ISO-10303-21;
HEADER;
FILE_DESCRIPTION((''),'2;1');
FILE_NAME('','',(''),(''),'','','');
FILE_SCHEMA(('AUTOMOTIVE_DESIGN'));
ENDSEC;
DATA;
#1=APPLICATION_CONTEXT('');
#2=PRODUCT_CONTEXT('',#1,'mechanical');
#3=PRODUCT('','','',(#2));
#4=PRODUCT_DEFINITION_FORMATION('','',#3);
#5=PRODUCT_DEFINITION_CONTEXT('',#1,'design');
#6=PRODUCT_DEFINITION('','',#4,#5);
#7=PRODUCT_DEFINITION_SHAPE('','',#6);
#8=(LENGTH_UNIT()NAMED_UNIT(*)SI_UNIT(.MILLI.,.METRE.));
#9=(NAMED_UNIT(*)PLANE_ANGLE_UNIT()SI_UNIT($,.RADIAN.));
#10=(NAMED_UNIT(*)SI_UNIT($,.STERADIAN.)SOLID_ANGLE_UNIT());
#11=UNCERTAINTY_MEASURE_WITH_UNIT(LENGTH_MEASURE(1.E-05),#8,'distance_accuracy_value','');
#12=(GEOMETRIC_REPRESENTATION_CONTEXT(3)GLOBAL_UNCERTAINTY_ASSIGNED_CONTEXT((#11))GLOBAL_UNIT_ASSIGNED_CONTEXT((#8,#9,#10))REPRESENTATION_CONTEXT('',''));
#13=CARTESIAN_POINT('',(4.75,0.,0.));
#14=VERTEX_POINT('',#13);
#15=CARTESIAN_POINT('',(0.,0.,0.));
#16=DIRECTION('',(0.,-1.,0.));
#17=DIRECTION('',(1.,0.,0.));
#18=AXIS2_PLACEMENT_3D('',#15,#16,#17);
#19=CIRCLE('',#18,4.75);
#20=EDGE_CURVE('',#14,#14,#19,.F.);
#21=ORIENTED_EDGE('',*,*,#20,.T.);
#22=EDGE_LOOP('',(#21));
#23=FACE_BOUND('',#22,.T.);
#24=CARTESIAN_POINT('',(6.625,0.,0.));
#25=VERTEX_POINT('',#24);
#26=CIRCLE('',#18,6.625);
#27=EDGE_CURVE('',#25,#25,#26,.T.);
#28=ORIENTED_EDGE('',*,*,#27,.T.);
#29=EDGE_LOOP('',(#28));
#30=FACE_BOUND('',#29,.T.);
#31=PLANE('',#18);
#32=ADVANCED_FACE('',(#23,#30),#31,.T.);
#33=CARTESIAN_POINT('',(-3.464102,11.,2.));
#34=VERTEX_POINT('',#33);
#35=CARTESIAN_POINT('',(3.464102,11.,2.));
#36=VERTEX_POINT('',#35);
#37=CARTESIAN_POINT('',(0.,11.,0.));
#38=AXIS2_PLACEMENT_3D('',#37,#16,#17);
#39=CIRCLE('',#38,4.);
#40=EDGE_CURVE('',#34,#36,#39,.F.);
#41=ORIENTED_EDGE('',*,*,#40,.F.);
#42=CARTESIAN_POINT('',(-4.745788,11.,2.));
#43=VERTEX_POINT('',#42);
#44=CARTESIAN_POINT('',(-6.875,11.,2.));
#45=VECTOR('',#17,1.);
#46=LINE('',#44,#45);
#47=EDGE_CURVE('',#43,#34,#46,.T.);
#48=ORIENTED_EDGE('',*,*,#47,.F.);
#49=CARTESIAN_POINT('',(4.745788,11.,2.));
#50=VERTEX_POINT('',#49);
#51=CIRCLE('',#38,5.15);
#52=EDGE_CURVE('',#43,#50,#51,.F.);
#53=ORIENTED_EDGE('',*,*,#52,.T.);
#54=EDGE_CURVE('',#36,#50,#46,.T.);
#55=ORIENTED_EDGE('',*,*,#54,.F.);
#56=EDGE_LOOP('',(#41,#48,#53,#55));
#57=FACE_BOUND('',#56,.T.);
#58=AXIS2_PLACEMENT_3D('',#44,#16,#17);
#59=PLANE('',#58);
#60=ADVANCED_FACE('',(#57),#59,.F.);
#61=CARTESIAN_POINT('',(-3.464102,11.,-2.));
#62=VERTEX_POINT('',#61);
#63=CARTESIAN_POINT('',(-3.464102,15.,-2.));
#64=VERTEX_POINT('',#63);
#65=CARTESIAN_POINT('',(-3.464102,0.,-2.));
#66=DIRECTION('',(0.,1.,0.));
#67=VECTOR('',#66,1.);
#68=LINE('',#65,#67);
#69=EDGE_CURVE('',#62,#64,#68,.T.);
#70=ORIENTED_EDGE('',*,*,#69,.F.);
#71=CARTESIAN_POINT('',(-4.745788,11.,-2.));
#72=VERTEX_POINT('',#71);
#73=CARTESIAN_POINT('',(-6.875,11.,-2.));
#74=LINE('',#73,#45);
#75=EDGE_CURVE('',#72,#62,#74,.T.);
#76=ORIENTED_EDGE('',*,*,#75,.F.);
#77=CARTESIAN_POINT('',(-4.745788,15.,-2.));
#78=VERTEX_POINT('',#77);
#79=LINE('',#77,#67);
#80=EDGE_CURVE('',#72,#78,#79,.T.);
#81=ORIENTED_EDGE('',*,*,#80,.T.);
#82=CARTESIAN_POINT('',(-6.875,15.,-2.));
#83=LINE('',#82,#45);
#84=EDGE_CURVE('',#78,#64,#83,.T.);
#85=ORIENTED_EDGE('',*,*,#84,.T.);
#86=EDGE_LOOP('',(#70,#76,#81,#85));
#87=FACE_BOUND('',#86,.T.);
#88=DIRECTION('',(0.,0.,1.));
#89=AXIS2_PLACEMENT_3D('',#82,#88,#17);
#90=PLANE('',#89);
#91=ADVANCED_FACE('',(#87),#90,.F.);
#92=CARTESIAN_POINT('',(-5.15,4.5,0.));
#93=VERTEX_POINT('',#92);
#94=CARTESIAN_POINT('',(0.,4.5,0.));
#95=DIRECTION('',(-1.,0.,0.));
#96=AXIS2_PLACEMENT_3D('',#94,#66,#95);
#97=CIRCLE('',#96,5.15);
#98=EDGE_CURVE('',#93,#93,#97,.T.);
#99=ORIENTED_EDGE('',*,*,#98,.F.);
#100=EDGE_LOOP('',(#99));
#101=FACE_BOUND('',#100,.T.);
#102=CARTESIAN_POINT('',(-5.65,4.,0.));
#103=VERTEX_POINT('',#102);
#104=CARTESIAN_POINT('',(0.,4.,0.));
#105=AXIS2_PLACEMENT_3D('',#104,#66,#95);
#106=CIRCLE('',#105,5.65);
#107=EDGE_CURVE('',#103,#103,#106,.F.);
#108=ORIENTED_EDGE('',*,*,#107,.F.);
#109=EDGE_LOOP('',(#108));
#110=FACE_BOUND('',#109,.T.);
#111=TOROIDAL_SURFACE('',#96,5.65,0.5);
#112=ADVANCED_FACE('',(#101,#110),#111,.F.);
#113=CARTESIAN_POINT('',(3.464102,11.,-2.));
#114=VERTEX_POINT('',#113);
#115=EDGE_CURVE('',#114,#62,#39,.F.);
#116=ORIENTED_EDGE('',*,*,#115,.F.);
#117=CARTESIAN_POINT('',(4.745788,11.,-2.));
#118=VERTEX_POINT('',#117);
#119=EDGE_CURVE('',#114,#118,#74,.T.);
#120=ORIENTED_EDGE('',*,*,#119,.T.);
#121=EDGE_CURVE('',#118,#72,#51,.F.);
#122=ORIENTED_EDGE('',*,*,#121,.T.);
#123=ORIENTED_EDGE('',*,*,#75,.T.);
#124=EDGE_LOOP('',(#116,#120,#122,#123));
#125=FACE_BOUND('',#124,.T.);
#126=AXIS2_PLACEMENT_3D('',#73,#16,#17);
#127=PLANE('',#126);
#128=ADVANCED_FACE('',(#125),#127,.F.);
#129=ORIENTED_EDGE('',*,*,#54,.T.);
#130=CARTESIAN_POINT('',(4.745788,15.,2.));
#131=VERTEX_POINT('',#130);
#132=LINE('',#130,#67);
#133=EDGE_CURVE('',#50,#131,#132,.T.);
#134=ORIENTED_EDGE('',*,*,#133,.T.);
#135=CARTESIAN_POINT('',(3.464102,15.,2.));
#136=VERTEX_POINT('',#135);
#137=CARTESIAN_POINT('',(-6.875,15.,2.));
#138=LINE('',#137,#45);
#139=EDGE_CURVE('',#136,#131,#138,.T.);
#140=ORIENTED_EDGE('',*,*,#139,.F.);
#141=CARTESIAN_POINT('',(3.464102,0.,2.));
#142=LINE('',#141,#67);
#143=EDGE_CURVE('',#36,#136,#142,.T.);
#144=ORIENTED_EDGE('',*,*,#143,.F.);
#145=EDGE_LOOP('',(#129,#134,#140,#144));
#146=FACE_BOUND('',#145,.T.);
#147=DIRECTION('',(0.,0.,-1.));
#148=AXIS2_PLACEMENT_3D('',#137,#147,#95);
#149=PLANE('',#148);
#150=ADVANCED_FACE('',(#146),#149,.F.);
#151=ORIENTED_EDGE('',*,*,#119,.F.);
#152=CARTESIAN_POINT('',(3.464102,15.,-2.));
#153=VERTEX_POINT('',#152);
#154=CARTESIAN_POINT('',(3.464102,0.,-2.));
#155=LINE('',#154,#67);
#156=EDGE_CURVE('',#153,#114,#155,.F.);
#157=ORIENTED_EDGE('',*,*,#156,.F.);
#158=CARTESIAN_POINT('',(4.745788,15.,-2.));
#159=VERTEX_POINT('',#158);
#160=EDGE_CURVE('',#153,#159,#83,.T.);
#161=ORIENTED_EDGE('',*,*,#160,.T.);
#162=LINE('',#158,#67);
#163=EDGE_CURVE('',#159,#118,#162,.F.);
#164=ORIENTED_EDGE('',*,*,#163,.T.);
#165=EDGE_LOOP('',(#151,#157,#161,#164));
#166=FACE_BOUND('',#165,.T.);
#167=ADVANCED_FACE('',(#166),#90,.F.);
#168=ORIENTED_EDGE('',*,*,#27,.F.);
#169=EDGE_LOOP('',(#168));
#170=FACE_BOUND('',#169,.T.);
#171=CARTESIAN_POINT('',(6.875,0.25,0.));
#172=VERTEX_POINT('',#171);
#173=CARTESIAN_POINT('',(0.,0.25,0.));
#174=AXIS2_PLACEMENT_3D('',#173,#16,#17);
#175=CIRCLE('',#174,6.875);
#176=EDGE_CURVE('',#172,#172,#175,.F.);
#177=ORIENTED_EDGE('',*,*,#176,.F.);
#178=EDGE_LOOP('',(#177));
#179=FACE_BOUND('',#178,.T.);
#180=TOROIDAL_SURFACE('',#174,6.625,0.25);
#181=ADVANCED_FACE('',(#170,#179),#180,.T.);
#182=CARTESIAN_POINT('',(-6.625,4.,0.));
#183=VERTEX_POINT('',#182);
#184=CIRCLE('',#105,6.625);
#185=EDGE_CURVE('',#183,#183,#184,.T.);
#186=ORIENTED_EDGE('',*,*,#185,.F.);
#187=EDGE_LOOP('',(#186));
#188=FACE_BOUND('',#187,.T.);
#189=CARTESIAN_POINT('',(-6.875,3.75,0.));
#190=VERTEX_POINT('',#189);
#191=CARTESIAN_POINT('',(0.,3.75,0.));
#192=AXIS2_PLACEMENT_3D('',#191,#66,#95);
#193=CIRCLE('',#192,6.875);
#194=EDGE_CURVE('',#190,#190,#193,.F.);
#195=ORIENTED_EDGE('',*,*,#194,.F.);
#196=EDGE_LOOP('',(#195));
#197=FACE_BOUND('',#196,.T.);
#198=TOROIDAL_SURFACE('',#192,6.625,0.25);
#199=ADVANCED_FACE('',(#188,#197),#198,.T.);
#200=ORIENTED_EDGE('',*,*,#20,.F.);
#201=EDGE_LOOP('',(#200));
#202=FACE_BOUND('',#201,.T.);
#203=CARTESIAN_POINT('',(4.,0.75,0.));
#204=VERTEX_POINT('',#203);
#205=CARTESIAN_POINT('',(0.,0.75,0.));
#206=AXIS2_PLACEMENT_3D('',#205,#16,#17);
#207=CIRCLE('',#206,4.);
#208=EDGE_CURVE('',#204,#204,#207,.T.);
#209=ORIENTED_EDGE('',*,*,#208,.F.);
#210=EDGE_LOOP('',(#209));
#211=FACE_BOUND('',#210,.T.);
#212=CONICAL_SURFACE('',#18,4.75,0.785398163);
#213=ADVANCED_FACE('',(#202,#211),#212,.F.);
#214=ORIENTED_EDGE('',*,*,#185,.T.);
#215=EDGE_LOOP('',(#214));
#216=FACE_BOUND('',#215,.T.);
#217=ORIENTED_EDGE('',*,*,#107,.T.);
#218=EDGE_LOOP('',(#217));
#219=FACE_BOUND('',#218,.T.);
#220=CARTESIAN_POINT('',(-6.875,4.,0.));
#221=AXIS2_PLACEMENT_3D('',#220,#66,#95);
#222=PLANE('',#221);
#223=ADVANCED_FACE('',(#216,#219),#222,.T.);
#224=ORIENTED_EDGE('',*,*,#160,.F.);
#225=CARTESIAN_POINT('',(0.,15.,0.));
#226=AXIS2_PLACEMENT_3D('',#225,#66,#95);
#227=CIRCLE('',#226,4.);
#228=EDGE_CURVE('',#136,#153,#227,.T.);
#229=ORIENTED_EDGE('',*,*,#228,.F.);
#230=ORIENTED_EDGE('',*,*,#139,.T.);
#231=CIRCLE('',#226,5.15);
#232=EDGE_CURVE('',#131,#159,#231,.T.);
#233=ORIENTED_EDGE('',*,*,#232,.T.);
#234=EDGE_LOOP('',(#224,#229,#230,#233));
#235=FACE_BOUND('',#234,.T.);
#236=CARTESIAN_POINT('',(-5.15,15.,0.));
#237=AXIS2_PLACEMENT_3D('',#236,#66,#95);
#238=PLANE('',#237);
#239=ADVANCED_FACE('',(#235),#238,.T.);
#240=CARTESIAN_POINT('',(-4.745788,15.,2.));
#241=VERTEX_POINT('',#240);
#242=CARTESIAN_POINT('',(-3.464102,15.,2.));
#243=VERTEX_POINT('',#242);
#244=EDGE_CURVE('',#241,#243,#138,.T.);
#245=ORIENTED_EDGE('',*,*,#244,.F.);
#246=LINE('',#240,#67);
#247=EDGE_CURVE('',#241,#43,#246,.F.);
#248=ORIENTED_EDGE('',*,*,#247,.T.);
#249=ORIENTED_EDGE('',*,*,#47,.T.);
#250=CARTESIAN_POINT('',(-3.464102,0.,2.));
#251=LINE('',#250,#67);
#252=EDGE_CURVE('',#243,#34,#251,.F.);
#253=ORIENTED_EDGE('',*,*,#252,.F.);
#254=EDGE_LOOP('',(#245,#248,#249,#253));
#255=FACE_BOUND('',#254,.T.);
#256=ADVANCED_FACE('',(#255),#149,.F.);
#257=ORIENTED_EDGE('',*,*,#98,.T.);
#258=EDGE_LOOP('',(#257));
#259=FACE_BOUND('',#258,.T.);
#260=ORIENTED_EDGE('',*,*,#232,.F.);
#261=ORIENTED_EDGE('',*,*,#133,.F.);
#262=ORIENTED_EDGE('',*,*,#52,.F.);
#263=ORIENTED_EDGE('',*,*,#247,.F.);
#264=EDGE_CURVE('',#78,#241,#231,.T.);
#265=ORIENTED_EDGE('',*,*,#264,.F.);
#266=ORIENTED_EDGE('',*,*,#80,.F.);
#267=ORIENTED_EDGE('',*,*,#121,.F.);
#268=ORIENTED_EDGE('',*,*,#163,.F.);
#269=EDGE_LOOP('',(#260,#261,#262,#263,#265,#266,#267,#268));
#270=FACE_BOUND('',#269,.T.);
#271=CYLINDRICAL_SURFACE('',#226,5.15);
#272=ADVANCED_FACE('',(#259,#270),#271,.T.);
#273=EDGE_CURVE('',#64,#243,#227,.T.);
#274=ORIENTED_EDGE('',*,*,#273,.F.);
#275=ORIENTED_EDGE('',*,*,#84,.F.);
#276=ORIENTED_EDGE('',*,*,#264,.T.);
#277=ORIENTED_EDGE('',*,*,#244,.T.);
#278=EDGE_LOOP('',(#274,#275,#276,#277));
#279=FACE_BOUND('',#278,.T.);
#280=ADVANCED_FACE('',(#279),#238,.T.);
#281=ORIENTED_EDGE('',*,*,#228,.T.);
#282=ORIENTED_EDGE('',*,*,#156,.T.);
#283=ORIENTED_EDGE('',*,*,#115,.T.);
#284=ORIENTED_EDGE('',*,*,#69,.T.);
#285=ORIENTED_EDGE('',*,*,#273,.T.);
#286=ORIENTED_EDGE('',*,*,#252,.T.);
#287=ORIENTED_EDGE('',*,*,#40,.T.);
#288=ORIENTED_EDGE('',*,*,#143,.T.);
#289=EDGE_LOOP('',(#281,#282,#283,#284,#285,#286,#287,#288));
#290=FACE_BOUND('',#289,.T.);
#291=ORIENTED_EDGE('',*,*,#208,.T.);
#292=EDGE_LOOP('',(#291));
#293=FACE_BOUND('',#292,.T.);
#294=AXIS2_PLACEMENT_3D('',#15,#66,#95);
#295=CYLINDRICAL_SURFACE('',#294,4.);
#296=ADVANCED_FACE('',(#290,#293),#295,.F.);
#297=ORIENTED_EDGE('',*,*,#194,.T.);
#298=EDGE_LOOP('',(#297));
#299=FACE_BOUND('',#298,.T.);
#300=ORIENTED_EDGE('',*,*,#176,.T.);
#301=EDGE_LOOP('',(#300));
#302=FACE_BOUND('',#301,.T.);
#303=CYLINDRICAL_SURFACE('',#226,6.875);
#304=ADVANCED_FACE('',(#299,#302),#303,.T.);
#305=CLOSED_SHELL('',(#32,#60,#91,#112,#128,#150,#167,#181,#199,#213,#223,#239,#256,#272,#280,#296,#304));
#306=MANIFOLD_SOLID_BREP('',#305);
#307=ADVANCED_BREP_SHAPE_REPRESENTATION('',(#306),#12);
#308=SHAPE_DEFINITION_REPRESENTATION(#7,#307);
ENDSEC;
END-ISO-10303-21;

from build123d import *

# Parameters (mm, degrees)
SKETCH2_R          = 4
CUT_EXTRUDE1_DEPTH = 18.875437058
SKETCH3_W          = 3.15
SKETCH3_H          = 4
CUT_EXTRUDE2_DEPTH = 21.417302711
FILLET1_R          = 0.5
FILLET2_R          = 0.25
CHAMFER1_SIZE      = 0.75


with BuildPart() as part:
    # Sketch1 → Revolve1 (revolve)
    with BuildSketch(Plane.XY):
        Polygon((0, 0), (-6.875, 0), (-6.875, 4), (-5.15, 4), (-5.15, 15), (0, 15), align=None)
    revolve(axis=Axis((0, 15, 0), (0, -1, 0)))

    # Sketch2 → Cut-Extrude1 (cut, through all)
    with BuildSketch(Plane(origin=(0, 15, 0), x_dir=(1, 0, 0), z_dir=(0, 1, 0))):
        with Locations(Location((0, 0, 0), (0, 0, 180))):
            Circle(SKETCH2_R)
    extrude(amount=-CUT_EXTRUDE1_DEPTH, mode=Mode.SUBTRACT)

    # Sketch3 → Cut-Extrude2 (cut, through all)
    with BuildSketch(Plane(origin=(5.15, 0, 0), x_dir=(0, 0, -1), z_dir=(1, 0, 0))):
        with Locations((-3.575, 13)):
            Rectangle(SKETCH3_W, SKETCH3_H)
        with Locations((3.575, 13)):
            Rectangle(SKETCH3_W, SKETCH3_H)
    extrude(amount=-CUT_EXTRUDE2_DEPTH, mode=Mode.SUBTRACT)

    # Fillet1
    fillet1_edges = [part.edges().sort_by_distance(p)[0] for p in [
        (5.15, 4, 0),
    ]]
    fillet(fillet1_edges, radius=FILLET1_R)

    # Fillet2
    fillet2_edges = [part.edges().sort_by_distance(p)[0] for p in [
        (6.875, 4, 0),
        (6.875, 0, 0),
    ]]
    fillet(fillet2_edges, radius=FILLET2_R)

    # Chamfer1
    chamfer1_edges = [part.edges().sort_by_distance(p)[0] for p in [
        (4, 0, 0),
    ]]
    chamfer(chamfer1_edges, length=CHAMFER1_SIZE)


solid = part.part
